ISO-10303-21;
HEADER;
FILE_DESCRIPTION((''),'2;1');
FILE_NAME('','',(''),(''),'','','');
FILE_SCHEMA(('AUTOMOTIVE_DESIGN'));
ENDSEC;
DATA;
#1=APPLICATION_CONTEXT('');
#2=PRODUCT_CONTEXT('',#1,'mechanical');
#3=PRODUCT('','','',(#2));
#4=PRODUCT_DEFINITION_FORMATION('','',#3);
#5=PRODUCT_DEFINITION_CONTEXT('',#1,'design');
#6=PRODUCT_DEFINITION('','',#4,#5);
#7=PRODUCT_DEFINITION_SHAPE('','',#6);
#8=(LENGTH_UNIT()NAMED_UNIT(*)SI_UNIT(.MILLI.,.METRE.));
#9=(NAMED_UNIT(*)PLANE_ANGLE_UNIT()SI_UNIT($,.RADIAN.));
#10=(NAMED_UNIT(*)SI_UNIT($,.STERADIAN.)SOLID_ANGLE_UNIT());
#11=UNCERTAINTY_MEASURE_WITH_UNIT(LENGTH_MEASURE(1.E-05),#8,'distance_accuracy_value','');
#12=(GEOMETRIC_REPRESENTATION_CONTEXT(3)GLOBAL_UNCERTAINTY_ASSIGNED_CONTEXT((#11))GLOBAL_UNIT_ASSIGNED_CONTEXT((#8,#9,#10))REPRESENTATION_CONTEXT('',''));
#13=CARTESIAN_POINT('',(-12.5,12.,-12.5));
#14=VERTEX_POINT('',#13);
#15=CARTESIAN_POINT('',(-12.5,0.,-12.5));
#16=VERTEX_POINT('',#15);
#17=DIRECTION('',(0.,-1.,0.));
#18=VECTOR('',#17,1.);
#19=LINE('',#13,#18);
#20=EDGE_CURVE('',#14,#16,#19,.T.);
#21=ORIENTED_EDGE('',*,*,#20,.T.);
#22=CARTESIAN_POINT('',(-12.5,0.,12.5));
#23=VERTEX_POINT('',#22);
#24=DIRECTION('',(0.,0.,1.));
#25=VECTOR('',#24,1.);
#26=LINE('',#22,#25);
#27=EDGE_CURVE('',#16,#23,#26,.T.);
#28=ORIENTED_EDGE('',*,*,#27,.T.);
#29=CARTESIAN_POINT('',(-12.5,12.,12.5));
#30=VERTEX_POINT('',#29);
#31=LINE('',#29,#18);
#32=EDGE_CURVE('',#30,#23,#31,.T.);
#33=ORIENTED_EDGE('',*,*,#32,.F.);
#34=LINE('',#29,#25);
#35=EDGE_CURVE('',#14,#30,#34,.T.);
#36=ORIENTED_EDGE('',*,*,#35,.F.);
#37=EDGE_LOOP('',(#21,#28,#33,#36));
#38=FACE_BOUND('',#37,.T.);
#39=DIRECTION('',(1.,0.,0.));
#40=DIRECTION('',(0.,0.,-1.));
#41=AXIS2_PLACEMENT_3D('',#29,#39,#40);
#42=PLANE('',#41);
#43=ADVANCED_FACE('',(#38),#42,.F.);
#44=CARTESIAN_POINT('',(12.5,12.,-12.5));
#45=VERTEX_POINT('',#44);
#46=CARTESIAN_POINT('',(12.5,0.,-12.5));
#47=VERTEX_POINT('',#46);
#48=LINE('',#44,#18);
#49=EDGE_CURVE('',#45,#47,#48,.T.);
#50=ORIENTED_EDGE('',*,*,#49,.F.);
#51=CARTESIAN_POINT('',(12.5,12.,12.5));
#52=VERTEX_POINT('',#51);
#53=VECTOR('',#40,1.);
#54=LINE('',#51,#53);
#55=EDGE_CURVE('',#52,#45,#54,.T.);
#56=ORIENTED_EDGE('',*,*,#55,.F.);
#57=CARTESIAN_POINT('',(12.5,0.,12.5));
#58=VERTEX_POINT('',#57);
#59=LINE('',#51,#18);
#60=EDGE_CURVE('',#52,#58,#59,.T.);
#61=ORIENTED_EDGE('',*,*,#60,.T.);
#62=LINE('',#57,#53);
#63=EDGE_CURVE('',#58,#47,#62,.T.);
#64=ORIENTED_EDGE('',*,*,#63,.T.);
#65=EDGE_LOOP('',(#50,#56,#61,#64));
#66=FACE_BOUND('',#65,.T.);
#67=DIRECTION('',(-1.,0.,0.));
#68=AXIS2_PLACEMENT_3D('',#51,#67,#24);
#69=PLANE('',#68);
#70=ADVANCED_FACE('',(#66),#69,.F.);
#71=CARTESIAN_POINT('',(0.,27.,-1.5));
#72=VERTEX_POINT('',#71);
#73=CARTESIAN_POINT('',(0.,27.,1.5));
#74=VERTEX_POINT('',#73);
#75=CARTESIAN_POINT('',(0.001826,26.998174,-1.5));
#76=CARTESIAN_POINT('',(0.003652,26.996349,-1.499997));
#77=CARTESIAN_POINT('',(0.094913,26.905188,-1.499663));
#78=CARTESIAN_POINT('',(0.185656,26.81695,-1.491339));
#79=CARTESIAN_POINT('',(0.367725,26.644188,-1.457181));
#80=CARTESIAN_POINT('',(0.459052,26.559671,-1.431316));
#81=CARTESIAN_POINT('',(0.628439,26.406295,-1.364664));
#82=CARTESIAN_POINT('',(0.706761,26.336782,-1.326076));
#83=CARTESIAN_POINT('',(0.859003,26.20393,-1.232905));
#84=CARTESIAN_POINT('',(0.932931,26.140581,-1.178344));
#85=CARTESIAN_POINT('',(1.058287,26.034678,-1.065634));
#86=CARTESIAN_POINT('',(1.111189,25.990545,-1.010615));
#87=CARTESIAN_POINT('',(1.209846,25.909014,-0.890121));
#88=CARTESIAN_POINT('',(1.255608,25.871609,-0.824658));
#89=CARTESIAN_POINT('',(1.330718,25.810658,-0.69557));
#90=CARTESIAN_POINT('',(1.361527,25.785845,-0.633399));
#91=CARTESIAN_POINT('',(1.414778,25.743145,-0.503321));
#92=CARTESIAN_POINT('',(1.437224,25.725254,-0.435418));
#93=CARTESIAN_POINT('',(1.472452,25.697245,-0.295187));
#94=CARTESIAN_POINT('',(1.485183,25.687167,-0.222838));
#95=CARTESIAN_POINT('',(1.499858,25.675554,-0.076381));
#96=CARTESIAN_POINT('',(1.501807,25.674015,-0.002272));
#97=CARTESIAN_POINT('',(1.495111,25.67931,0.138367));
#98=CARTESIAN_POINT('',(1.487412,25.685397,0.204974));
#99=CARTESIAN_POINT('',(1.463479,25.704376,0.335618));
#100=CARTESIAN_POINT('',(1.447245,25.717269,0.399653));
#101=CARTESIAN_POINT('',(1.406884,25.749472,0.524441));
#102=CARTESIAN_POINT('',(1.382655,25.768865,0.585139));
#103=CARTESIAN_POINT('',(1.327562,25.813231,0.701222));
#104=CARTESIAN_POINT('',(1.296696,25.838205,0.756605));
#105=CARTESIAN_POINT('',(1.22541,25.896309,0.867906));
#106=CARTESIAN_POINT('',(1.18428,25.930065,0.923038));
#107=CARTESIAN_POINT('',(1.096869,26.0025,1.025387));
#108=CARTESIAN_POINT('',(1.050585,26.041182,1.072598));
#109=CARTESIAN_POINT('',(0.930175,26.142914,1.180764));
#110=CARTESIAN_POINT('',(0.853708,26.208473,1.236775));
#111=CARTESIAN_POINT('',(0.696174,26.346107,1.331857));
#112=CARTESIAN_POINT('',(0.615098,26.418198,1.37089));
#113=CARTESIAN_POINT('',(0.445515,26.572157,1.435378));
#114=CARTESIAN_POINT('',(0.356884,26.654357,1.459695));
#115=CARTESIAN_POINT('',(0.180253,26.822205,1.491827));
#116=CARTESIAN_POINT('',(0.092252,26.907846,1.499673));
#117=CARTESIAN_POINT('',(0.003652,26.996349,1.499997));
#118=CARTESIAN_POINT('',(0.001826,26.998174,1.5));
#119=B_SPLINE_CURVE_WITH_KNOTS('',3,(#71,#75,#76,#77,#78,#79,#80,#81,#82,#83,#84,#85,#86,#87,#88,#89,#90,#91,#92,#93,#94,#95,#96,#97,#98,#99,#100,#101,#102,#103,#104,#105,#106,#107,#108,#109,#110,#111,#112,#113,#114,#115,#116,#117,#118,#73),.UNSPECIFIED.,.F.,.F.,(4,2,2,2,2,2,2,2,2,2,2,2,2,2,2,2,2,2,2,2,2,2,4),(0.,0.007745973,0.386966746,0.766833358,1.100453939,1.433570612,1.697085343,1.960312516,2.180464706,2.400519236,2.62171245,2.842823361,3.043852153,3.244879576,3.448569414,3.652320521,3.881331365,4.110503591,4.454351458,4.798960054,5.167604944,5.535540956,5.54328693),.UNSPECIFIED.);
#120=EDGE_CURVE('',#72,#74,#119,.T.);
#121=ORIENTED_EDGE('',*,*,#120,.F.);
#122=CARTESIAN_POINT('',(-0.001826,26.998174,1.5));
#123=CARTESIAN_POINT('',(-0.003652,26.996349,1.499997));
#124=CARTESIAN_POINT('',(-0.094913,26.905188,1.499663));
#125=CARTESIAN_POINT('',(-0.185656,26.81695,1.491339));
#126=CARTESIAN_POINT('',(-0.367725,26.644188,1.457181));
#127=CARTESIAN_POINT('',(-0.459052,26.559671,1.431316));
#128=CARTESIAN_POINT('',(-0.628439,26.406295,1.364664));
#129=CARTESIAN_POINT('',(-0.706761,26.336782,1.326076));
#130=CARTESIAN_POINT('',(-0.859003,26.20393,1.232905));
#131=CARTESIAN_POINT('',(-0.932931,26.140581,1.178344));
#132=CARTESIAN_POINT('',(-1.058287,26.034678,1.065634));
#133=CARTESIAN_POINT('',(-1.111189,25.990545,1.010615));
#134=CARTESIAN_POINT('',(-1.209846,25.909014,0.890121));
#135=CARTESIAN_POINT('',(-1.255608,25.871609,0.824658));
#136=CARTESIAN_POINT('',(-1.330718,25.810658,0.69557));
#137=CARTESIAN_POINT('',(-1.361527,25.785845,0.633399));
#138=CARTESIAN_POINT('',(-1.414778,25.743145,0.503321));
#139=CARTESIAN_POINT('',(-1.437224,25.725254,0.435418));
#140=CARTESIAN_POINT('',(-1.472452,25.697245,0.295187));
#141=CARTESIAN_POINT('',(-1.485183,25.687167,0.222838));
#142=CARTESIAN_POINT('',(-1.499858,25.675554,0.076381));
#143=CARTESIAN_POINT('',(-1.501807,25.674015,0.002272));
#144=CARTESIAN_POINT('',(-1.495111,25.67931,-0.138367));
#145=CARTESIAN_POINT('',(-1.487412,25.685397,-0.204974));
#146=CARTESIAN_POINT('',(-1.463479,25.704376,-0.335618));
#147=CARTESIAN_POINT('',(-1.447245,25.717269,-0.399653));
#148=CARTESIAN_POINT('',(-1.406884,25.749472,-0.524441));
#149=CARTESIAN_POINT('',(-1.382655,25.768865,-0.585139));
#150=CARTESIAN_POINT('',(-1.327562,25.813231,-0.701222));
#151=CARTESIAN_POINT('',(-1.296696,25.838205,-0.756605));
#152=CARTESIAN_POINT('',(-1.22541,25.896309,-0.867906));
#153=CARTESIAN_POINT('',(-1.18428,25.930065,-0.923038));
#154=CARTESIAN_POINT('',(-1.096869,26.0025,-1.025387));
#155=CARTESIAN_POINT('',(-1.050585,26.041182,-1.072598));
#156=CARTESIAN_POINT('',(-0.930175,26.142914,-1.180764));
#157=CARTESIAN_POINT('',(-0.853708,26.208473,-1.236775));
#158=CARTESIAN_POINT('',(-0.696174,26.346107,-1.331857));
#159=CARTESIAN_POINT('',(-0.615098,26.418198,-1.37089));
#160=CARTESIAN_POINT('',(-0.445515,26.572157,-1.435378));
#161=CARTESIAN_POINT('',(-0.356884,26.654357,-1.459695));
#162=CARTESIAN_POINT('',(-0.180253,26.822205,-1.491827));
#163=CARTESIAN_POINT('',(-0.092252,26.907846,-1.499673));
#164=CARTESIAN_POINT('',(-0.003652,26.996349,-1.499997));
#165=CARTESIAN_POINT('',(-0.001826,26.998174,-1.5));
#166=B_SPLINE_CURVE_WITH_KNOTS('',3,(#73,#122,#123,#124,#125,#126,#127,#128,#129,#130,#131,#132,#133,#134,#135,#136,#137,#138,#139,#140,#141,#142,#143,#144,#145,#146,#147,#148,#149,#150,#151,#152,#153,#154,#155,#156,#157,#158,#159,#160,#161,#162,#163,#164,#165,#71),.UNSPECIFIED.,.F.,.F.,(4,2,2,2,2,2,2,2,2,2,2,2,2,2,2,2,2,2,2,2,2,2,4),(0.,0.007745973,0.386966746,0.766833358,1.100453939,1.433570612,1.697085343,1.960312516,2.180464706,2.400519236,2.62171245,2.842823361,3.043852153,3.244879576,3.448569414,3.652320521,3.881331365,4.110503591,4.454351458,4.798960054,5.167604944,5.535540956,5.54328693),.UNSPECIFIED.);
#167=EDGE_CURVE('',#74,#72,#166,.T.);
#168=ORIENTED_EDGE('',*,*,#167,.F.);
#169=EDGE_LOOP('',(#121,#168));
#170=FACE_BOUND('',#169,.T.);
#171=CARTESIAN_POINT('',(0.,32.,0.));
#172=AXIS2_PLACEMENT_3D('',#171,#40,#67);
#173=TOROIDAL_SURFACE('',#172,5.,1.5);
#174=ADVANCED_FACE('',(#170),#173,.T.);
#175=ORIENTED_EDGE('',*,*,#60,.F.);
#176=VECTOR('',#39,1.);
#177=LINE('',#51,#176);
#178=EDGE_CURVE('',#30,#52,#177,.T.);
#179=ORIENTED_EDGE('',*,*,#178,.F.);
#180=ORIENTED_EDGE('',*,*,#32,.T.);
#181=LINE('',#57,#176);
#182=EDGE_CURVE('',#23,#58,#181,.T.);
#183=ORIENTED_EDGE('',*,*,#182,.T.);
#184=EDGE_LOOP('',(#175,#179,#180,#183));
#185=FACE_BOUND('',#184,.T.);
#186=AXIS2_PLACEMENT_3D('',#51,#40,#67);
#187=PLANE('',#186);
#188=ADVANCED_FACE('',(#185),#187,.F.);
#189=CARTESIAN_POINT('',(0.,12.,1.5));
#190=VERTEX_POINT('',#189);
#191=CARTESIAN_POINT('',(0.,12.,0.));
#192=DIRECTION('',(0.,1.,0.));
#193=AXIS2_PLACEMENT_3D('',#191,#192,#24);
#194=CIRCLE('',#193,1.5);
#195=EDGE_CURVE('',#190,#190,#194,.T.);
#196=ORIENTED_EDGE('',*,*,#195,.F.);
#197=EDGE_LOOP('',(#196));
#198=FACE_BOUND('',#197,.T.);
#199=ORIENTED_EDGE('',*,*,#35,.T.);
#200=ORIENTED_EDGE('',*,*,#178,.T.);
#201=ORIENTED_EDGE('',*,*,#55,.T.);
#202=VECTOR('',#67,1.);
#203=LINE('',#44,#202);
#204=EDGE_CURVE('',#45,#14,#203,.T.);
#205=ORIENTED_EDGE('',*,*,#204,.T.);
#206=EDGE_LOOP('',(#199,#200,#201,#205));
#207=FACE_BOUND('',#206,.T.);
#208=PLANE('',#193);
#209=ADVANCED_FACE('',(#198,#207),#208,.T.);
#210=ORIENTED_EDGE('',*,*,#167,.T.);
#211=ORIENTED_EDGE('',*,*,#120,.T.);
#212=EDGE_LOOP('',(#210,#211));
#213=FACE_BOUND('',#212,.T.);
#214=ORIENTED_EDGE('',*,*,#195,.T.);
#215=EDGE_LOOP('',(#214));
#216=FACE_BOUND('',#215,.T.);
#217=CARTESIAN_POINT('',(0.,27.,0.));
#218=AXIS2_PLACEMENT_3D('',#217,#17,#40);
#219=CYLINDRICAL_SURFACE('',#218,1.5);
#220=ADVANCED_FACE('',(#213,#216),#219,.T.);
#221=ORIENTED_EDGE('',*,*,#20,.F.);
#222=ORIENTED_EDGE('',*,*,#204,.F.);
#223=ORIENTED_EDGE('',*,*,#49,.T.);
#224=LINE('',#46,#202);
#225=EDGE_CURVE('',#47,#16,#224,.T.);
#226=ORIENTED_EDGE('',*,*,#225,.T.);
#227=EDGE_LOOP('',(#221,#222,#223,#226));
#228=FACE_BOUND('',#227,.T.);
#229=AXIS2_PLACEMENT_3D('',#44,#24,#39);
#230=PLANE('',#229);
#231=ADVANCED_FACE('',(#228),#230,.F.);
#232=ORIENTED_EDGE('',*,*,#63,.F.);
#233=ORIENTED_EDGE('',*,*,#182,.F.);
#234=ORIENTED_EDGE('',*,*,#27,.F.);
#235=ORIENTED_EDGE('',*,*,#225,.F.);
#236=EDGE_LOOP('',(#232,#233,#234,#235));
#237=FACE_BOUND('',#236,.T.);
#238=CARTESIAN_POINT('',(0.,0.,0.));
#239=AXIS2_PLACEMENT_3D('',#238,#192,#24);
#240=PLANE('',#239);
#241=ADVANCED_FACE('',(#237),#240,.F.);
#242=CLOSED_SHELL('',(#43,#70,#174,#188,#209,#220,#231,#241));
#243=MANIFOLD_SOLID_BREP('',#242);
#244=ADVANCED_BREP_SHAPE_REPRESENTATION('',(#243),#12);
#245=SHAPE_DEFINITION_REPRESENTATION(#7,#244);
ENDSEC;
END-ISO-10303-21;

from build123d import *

# Parameters (mm, degrees)
SKETCH1_W           = 25
SKETCH1_H           = 25
BOSS_EXTRUDE1_DEPTH = 12
SKETCH2_R           = 1.5
BOSS_EXTRUDE2_DEPTH = 15
SKETCH3_R           = 1.5


with BuildPart() as part:
    # Sketch1 → Boss-Extrude1 (new body)
    with BuildSketch(Plane(origin=(0, 0, 0), x_dir=(1, 0, 0), z_dir=(0, 1, 0))):
        Rectangle(SKETCH1_W, SKETCH1_H)
    extrude(amount=BOSS_EXTRUDE1_DEPTH)

    # Sketch2 → Boss-Extrude2 (add)
    with BuildSketch(Plane(origin=(0, 12, 0), x_dir=(1, 0, 0), z_dir=(0, 1, 0))):
        Circle(SKETCH2_R)
    extrude(amount=BOSS_EXTRUDE2_DEPTH)

    # Sketch3 → Revolve1 (revolve)
    with BuildSketch(Plane(origin=(0, 31.999999906, 0), x_dir=(1, 0, 0), z_dir=(0, 1, 0))):
        with Locations((-5, 0)):
            Circle(SKETCH3_R)
    revolve(axis=Axis((0, 31.999999906, -13.75), (0, 0, 1)))


solid = part.part
